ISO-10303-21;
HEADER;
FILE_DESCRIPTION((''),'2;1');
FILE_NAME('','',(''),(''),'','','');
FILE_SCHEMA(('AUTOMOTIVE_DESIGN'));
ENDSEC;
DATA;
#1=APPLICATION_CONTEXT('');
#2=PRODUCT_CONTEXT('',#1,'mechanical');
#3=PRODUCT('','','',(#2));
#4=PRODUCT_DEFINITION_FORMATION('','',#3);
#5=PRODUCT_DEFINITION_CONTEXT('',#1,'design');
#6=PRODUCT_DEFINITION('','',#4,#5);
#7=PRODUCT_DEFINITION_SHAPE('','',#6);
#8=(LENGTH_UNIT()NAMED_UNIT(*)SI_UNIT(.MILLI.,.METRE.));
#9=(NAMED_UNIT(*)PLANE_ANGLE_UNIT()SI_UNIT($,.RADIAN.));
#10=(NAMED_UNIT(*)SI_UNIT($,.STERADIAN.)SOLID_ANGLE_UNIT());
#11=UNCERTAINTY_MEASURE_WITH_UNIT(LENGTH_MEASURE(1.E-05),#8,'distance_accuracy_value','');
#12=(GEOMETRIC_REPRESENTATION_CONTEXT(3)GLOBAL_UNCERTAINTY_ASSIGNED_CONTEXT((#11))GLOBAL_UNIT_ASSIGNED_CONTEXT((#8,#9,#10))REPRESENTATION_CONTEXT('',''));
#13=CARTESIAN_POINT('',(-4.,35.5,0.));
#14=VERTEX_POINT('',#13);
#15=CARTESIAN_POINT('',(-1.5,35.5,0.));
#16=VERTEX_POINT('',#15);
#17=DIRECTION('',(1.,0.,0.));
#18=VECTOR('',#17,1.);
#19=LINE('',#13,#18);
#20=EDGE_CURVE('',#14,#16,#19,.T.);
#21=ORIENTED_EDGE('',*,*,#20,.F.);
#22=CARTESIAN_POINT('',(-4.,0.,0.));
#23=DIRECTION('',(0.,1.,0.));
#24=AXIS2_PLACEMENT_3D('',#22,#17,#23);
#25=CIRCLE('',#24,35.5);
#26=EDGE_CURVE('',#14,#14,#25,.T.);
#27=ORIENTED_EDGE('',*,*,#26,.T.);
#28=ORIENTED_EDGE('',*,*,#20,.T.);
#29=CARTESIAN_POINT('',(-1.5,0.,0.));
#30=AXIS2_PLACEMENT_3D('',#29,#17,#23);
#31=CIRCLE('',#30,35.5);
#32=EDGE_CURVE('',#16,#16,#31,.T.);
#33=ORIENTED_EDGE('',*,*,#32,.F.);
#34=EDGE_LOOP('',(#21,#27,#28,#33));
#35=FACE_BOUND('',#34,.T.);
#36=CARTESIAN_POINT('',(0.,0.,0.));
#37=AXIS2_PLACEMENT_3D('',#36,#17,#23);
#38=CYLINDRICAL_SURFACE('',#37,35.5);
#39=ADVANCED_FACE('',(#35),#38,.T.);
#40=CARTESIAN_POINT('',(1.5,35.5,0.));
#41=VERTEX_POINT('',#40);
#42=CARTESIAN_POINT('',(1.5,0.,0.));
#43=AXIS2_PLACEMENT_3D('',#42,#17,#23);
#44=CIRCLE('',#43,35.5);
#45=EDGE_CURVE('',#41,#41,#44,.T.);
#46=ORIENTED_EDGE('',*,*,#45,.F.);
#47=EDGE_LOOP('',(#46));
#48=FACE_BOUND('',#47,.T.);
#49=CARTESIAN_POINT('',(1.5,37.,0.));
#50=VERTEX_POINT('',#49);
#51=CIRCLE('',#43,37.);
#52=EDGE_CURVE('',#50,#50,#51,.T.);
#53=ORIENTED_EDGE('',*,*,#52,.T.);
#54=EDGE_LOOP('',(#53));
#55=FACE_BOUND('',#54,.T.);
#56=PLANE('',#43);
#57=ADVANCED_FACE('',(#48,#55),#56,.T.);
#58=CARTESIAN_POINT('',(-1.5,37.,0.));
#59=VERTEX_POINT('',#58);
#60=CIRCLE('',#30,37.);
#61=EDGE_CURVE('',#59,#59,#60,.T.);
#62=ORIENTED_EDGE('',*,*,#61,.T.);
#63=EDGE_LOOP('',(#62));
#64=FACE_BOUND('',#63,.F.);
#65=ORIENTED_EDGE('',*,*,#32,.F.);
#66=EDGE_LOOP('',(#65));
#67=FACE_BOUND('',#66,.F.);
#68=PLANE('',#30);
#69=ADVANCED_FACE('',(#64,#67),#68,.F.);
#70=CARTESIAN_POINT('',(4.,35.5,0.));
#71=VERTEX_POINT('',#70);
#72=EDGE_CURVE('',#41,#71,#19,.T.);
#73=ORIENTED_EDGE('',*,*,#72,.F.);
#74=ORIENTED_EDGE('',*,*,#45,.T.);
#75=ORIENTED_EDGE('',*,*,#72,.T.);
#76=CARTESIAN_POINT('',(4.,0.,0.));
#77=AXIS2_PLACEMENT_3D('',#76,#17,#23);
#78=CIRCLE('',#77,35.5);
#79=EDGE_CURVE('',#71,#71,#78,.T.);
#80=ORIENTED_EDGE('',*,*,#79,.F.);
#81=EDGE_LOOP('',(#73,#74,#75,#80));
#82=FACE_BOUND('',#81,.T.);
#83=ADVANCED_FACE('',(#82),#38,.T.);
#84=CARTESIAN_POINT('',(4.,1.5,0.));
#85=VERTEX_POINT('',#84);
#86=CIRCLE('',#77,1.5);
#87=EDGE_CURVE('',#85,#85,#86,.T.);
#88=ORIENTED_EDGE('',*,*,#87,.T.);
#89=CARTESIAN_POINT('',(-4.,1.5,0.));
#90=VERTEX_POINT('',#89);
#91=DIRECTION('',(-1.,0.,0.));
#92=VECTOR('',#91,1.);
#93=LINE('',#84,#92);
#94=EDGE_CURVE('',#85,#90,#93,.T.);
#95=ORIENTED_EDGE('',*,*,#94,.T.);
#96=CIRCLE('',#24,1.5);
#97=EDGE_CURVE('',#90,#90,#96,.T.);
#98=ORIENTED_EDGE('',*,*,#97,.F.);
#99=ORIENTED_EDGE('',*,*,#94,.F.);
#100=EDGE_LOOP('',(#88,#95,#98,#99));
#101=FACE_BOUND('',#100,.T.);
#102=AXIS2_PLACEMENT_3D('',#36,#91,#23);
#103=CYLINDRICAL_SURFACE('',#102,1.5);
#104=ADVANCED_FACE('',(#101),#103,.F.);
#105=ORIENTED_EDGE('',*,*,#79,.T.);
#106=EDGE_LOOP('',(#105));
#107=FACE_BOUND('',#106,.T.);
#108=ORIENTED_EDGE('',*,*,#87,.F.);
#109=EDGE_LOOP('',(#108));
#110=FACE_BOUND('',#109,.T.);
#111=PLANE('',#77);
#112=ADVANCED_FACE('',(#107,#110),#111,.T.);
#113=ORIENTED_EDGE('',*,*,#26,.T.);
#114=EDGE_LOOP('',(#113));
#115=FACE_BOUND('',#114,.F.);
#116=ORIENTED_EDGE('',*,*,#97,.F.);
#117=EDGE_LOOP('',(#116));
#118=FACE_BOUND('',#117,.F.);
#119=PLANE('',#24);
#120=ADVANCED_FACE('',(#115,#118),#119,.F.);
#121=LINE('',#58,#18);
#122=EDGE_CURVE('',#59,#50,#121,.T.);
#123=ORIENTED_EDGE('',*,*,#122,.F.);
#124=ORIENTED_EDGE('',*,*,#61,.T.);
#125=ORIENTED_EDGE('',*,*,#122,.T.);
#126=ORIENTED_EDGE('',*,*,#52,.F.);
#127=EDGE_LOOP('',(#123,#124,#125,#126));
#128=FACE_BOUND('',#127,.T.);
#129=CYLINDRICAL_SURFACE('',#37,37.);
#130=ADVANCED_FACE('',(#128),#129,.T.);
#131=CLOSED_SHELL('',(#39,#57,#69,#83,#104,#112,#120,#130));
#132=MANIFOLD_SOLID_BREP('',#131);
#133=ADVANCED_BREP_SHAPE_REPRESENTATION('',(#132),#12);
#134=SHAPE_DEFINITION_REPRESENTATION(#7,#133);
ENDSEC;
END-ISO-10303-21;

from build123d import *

# Parameters (mm, degrees)
F0_R     = 37
F0_R_2   = 35.5
F1_DEPTH = 1.5
F0_R_3   = 1.5
F2_DEPTH = 4


with BuildPart() as f1:
    # F0 (on Right) → F1 (new body, symmetric)
    with BuildSketch(Plane.YZ):
        Circle(F0_R)
        Circle(F0_R_2, mode=Mode.SUBTRACT)
    extrude(amount=F1_DEPTH, both=True)

    # F0 (on Right) → F2 (join, symmetric)
    with BuildSketch(Plane.YZ):
        Circle(F0_R_2)
        Circle(F0_R_3, mode=Mode.SUBTRACT)
    extrude(amount=F2_DEPTH, both=True)


solid = f1.part
